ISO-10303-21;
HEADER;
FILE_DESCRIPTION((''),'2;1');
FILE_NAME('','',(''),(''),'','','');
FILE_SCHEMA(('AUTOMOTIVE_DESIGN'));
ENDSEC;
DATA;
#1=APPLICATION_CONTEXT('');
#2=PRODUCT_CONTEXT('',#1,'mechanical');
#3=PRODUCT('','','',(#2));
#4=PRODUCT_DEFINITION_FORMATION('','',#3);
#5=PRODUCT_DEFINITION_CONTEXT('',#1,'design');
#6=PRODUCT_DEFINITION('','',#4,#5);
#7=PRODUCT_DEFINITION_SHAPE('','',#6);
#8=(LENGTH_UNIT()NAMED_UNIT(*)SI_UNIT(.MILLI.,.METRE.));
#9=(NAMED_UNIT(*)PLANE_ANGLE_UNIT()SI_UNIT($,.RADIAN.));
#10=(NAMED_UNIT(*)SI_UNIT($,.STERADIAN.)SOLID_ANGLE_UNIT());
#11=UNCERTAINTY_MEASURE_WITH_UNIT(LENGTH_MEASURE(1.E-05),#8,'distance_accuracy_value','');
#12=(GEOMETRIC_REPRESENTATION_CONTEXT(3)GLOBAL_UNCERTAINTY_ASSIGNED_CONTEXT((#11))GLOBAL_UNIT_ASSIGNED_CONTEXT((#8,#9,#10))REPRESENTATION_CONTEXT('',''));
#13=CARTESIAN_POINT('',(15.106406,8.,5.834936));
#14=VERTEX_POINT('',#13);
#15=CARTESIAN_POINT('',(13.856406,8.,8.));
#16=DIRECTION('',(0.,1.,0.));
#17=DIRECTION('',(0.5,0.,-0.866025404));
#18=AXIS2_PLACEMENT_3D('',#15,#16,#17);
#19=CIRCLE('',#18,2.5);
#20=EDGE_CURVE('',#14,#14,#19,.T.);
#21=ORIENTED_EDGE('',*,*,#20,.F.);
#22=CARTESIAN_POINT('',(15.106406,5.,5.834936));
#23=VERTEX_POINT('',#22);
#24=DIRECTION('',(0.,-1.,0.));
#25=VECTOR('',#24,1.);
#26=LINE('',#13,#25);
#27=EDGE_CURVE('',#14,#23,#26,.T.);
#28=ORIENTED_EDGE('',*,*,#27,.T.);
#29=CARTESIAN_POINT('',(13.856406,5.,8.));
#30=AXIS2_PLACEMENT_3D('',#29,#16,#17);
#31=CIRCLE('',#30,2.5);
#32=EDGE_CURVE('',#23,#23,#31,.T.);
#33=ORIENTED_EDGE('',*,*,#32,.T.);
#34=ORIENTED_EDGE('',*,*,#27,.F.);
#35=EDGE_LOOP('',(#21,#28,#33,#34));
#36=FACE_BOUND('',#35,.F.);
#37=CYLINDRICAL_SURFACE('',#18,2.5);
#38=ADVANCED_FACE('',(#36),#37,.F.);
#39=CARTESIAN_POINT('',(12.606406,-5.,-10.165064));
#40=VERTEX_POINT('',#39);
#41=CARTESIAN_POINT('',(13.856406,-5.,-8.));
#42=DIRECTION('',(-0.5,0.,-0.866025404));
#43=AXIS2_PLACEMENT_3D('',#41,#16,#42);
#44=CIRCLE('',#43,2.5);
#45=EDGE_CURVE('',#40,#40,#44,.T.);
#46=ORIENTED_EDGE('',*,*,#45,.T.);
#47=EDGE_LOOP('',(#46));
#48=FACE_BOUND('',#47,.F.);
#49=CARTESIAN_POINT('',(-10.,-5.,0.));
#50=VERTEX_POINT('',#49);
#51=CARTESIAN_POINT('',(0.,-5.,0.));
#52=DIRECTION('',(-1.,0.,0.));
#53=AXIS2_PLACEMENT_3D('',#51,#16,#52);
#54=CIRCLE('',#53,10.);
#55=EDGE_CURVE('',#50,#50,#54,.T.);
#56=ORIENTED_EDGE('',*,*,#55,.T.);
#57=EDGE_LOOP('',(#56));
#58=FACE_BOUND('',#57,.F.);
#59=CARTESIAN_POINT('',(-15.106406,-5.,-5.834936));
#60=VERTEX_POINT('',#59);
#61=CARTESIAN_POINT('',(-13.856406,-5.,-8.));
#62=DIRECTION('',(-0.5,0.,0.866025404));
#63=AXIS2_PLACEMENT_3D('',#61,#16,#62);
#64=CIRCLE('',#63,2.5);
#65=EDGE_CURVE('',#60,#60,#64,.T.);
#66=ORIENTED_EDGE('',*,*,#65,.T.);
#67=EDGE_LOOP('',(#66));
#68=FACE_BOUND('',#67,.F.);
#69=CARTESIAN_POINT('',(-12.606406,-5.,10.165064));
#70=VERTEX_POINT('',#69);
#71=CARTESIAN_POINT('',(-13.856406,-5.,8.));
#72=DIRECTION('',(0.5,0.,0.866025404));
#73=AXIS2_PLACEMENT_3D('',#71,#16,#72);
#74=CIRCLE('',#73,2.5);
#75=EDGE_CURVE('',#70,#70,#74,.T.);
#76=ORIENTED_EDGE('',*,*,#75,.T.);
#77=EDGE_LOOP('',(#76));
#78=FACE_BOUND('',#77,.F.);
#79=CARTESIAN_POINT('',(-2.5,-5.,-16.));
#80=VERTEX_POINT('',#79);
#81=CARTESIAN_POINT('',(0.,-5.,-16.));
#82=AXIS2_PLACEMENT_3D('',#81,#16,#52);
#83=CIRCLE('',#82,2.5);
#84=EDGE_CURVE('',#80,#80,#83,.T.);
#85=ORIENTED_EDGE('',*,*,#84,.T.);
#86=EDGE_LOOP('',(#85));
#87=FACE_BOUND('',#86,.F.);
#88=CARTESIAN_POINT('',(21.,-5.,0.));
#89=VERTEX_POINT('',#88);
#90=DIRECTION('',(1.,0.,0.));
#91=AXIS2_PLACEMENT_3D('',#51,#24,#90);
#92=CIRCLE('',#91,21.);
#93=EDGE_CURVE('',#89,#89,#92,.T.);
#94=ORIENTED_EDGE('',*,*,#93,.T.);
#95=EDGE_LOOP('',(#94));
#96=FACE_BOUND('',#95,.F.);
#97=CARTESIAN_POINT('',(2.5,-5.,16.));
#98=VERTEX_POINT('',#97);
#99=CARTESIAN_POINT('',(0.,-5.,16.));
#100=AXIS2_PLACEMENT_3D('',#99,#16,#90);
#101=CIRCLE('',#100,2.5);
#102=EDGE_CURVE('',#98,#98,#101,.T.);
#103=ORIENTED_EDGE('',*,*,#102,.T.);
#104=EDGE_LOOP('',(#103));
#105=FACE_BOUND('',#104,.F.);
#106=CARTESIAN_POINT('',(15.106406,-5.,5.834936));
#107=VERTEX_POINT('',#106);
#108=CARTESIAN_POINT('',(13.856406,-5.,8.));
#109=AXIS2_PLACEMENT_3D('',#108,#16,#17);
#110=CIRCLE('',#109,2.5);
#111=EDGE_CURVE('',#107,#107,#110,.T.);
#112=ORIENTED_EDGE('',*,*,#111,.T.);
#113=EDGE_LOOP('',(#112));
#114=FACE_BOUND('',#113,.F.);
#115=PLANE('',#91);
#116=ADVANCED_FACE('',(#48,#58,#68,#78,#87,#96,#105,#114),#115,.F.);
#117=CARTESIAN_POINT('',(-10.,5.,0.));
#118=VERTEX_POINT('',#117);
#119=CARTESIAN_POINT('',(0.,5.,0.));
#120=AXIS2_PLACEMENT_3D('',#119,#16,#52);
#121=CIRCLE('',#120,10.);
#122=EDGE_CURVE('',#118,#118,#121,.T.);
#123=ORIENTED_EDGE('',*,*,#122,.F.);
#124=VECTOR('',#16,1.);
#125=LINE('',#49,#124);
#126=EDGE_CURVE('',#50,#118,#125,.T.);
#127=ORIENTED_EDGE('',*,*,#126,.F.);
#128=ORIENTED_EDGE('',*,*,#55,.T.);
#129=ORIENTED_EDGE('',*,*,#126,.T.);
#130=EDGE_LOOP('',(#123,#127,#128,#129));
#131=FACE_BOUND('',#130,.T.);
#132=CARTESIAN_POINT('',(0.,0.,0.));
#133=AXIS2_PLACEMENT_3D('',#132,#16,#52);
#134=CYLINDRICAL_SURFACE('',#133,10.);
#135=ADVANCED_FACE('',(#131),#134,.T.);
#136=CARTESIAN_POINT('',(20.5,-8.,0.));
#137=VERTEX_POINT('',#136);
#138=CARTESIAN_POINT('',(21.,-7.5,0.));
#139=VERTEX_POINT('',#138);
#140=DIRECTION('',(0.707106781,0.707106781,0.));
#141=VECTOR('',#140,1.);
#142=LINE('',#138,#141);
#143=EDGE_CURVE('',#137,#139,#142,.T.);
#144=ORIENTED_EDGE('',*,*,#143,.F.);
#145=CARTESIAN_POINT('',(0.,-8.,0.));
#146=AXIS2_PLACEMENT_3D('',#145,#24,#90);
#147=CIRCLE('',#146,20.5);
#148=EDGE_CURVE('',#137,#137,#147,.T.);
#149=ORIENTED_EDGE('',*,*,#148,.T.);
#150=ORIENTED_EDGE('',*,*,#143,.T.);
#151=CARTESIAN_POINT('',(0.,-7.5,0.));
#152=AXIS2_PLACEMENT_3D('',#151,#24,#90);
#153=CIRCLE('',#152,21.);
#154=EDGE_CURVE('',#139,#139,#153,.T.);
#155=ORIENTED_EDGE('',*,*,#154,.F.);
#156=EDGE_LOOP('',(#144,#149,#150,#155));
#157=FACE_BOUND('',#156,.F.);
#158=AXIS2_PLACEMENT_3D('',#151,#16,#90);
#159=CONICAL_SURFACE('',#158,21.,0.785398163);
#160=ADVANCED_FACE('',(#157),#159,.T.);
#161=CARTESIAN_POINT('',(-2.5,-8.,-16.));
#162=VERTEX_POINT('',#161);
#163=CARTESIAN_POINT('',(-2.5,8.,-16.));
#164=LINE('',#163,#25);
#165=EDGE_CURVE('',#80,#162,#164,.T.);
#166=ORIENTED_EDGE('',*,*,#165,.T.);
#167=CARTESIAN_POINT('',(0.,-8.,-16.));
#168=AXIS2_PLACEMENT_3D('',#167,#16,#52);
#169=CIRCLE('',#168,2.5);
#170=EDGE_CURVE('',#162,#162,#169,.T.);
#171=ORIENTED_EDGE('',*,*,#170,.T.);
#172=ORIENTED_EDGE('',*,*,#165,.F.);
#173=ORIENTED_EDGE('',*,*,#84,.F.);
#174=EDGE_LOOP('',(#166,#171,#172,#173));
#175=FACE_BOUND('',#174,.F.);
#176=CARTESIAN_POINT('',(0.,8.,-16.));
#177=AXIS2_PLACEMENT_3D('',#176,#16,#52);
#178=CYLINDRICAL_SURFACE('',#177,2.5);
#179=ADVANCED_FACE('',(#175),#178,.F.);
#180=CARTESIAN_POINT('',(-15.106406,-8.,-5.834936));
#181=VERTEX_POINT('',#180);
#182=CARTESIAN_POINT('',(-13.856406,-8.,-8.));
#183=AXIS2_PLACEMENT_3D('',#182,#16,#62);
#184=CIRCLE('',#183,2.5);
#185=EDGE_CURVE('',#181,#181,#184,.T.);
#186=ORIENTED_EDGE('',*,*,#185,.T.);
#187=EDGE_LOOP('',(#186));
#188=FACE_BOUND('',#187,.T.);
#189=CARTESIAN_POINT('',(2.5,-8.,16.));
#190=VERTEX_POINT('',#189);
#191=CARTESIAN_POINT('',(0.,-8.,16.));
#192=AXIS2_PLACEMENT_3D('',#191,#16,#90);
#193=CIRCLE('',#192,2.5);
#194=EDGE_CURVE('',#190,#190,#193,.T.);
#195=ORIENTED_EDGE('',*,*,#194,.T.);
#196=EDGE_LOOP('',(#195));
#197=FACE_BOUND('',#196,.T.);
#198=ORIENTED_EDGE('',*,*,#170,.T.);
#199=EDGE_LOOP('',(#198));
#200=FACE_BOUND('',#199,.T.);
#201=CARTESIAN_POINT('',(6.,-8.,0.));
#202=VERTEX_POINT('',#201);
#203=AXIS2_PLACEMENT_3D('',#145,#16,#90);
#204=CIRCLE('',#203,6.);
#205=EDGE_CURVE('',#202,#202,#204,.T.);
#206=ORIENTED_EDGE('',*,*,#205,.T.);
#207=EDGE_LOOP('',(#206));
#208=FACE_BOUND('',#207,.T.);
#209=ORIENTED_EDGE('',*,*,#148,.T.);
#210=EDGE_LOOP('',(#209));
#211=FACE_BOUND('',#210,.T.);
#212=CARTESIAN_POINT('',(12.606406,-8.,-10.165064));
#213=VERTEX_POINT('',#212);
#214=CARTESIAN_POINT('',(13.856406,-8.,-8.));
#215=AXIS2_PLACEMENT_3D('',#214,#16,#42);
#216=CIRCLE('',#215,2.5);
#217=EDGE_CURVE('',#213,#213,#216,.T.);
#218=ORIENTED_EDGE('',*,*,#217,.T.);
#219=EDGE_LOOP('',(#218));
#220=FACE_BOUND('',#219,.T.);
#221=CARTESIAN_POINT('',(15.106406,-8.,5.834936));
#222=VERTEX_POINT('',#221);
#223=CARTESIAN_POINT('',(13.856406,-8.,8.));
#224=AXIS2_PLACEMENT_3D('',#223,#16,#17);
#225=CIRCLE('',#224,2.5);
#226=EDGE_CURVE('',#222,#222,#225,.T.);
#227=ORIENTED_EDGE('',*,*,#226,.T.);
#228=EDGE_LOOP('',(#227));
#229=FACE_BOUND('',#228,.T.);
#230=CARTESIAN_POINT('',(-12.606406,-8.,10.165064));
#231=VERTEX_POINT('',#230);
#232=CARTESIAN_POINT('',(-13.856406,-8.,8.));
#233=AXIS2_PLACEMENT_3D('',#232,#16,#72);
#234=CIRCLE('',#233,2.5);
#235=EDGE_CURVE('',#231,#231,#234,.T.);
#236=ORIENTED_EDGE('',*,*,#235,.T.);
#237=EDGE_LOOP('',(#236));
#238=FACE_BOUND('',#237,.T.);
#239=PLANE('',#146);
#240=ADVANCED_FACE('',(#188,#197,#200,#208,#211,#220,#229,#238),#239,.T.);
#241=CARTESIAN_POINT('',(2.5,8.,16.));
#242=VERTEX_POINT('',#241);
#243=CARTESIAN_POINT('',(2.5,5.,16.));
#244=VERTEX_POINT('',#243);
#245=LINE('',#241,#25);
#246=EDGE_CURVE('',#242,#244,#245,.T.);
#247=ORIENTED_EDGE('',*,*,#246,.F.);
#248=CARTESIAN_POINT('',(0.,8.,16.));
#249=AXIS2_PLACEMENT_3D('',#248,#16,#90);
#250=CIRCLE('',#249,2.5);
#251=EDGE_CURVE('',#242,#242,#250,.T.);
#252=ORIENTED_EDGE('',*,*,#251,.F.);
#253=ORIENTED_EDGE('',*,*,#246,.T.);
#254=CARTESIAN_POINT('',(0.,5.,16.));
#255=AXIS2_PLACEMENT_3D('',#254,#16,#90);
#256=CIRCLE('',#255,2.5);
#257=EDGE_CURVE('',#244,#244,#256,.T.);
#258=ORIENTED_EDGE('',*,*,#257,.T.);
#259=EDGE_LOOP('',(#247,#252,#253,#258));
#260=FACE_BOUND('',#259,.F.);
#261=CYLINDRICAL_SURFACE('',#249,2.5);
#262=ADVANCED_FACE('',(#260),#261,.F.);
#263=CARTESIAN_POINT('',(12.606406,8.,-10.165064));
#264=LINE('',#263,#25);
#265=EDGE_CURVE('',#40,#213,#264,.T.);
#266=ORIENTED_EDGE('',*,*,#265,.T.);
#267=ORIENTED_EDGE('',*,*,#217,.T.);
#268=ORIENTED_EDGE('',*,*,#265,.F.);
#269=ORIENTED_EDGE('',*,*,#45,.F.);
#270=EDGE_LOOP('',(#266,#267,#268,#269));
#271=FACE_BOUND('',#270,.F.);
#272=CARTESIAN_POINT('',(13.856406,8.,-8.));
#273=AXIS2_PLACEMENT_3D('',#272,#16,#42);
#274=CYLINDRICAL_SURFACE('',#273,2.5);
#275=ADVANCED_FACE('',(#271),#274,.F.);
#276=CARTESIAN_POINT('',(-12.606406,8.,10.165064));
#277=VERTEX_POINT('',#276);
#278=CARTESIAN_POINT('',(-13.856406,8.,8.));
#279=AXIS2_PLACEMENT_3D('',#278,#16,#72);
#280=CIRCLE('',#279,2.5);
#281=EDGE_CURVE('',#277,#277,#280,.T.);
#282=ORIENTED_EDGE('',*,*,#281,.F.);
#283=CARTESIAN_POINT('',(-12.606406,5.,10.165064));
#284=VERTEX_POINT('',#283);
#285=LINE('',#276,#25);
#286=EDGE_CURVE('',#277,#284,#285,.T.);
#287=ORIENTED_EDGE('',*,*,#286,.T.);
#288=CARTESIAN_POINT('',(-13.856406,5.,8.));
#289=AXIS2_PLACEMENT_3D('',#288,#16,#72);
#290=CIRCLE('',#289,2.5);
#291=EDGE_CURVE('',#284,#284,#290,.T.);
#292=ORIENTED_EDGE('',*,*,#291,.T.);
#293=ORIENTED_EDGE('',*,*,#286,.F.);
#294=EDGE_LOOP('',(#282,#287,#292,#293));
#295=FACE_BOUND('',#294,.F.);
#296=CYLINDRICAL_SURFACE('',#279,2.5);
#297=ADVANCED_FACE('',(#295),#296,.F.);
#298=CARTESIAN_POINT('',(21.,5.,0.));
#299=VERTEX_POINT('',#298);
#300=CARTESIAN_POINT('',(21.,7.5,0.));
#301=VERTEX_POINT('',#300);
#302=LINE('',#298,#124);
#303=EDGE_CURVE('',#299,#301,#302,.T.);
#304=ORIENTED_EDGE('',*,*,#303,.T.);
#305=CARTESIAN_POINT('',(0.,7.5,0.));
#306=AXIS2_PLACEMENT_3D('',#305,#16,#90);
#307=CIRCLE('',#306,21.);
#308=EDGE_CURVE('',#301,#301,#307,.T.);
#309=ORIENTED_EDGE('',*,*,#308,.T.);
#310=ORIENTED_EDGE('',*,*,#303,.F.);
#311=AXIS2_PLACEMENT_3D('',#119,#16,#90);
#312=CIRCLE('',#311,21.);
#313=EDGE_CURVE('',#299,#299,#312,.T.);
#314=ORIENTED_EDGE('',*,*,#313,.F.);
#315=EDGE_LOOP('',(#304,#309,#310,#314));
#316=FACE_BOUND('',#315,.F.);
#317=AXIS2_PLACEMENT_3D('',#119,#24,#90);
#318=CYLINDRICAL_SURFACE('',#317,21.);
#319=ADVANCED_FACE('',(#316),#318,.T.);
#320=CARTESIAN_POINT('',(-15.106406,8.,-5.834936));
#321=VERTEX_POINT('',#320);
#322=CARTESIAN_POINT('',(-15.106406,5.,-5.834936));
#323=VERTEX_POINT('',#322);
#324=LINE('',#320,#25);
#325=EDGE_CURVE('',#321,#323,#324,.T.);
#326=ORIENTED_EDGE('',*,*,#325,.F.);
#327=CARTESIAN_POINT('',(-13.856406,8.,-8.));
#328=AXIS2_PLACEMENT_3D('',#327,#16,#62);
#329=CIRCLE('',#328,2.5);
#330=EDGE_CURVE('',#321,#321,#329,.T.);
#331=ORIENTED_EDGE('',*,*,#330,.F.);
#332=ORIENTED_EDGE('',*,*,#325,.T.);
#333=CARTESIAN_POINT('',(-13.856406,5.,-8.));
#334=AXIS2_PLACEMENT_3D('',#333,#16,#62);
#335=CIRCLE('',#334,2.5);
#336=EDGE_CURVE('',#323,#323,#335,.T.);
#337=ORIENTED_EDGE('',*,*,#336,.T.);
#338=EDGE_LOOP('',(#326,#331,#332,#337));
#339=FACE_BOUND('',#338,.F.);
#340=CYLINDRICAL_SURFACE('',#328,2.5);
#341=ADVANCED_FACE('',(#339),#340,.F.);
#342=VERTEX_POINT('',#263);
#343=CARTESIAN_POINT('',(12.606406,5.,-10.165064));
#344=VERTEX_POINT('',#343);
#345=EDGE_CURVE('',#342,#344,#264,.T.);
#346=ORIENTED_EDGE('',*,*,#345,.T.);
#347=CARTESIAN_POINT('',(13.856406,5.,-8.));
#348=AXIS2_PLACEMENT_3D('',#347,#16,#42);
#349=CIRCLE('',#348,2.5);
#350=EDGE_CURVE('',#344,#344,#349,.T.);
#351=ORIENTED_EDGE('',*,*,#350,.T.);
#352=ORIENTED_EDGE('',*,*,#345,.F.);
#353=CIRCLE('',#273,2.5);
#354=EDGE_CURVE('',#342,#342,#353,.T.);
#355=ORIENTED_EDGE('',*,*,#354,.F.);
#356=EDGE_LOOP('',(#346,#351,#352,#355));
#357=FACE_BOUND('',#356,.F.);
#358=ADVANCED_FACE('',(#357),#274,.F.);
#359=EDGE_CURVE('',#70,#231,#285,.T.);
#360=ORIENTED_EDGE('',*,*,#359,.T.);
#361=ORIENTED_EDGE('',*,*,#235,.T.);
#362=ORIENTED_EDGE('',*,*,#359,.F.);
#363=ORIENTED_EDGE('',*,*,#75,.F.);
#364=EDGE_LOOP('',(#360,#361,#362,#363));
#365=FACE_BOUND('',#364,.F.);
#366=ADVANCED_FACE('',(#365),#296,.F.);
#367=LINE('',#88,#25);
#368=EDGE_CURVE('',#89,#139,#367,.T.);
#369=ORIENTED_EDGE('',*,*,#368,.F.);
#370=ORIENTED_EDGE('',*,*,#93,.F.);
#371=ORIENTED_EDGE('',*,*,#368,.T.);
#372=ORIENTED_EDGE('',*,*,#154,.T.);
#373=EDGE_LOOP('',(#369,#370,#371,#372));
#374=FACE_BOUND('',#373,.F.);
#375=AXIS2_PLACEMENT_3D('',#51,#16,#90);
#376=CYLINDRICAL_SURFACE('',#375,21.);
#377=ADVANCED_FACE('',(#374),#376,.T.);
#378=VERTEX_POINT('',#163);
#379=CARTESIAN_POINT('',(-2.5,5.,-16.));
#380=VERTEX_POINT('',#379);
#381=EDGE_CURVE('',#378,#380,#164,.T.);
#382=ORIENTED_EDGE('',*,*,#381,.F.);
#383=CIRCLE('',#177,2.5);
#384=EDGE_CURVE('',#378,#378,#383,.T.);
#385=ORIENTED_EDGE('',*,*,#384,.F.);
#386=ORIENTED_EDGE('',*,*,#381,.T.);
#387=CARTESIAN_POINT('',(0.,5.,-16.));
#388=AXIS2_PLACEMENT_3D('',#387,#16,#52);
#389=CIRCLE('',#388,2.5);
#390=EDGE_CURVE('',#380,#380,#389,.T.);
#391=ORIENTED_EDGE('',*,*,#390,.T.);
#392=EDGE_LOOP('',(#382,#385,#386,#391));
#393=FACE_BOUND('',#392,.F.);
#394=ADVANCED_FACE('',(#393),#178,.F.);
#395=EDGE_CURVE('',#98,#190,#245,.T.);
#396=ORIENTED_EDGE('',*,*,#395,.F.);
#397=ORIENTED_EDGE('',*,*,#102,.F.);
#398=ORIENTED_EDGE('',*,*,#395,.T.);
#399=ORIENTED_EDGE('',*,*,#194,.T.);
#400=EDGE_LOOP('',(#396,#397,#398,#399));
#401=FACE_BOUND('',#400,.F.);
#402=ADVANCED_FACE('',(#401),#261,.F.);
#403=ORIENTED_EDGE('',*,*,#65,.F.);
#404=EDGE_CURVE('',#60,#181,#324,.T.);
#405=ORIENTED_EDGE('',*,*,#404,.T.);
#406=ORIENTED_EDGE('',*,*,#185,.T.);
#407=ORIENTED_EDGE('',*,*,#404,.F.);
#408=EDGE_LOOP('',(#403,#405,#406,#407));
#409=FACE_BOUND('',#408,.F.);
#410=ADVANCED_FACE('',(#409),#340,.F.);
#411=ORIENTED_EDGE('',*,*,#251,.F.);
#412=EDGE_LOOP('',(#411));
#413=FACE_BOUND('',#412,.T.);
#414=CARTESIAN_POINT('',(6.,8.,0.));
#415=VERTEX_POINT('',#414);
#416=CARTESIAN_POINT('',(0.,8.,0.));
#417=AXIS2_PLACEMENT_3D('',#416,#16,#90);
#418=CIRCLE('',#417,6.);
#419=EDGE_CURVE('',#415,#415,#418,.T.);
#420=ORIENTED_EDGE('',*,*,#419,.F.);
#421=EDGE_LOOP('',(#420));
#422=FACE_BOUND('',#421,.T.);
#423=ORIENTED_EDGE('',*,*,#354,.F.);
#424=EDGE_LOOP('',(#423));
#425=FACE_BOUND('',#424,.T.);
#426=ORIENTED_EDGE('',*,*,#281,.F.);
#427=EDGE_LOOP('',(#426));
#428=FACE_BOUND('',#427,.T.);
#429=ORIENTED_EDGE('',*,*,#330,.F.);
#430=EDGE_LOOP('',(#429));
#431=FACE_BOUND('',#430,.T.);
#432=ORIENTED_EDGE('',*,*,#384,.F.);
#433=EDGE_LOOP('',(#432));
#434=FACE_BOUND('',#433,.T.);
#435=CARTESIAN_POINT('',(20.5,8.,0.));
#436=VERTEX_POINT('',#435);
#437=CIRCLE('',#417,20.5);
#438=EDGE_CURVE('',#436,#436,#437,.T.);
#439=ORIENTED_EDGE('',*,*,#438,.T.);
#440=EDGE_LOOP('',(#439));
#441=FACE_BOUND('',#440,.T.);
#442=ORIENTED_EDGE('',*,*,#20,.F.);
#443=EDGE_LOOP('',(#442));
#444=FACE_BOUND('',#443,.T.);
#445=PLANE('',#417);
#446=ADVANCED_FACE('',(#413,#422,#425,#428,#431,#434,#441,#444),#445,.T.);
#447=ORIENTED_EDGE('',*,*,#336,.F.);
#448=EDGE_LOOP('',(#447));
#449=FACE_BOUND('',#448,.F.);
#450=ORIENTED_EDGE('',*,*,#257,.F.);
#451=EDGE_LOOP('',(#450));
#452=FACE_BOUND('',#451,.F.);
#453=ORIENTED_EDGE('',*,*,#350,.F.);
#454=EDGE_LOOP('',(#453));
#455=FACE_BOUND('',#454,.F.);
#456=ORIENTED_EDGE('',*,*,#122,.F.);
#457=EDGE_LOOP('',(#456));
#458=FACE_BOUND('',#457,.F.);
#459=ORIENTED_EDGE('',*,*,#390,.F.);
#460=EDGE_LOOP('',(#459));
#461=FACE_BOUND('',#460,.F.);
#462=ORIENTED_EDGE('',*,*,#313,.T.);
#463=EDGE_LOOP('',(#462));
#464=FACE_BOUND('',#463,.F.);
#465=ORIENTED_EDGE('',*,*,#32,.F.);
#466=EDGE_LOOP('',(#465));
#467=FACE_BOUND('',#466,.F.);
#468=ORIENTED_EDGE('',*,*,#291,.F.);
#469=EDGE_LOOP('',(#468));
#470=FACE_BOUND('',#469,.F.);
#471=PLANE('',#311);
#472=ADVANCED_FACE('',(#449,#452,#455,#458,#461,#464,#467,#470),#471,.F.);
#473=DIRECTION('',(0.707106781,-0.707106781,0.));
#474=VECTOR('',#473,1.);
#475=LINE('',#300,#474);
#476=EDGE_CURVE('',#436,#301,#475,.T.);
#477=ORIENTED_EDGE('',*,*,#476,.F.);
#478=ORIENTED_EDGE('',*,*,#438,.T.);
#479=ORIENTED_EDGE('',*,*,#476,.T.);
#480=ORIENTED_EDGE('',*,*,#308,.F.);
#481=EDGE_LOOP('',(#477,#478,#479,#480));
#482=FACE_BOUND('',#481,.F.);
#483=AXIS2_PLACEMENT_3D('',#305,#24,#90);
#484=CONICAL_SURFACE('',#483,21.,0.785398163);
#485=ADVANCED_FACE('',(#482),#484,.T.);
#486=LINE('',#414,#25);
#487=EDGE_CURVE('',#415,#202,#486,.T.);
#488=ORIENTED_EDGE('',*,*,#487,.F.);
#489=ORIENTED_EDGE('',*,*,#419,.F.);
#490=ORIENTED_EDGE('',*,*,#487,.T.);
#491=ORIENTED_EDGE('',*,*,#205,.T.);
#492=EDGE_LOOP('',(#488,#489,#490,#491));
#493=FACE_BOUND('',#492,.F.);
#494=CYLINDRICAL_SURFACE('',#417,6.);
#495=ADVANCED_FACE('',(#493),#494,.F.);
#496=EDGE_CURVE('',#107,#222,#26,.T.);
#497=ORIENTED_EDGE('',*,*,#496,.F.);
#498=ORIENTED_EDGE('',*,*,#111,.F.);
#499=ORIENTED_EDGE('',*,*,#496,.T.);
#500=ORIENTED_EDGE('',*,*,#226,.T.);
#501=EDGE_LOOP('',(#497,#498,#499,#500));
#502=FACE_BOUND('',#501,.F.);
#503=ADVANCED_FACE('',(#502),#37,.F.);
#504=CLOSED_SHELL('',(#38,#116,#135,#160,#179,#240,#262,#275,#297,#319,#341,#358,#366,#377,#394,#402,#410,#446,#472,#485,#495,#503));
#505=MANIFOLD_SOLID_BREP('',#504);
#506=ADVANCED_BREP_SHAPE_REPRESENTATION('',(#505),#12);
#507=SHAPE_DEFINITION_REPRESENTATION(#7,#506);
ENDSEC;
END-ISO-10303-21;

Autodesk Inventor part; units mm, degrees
ref_plane "YZ Plane" through (0, 0, 0) normal (1, 0, 0) x (0, 1, 0)
ref_plane "XZ Plane" through (0, 0, 0) normal (0, 1, 0) x (-1, 0, 0)
ref_plane "XY Plane" through (0, 0, 0) normal (0, 0, 1) x (1, 0, 0)
sketch "Sketch1" plane through (0, 0, 0) normal (0, 1, 0) x (-1, 0, 0)
  circle A0 centre (0, 0) radius 10
  dimension "d0" = 20
extrude "Extrusion1" add sketch "Sketch1" along normal mid plane 10
sketch "Sketch2" plane through (0, 5, 0) normal (0, 1, 0) x (1, 0, 0)
  circle A0 centre (0, 0) radius 21
  dimension "d3" = 42
extrude "Extrusion2" add sketch "Sketch2" along normal blind 3
sketch "Sketch3" plane through (0, -5, 0) normal (0, -1, 0) x (1, 0, 0)
  circle A0 centre (0, 0) radius 21
  dimension "d6" = 42
extrude "Extrusion3" add sketch "Sketch3" along normal blind 3
sketch "Sketch4" plane through (0, 8, 0) normal (0, 1, 0) x (1, 0, 0)
  circle A0 centre (0, 0) radius 6
  dimension "d9" = 12
extrude "Extrusion4" cut sketch "Sketch4" against normal blind 16
sketch "Sketch7" plane through (0, 8, 0) normal (0, 1, 0) x (1, 0, 0)
  circle A0 centre (0, -16) radius 2.5
  point P0 (0, 0)
  dimension "d13" = 5
extrude "Extrusion5" cut sketch "Sketch7" against normal blind 16
pattern_circular "Circular Pattern1" count 6 over 360 about axis through (0, 5, 0) along (0, 1, 0) of "Extrusion5"
chamfer "Chamfer1" distance 0.5 distance2 0.5 1 edges at (-21, 8, 0) measured on face at (-5.5882, 8, 9.3573)
chamfer "Chamfer2" distance 0.5 distance2 0.5 1 edges at (-21, -8, 0) measured on face at (5.5882, -8, -9.3573)
properties part number "connecting rod hub"
